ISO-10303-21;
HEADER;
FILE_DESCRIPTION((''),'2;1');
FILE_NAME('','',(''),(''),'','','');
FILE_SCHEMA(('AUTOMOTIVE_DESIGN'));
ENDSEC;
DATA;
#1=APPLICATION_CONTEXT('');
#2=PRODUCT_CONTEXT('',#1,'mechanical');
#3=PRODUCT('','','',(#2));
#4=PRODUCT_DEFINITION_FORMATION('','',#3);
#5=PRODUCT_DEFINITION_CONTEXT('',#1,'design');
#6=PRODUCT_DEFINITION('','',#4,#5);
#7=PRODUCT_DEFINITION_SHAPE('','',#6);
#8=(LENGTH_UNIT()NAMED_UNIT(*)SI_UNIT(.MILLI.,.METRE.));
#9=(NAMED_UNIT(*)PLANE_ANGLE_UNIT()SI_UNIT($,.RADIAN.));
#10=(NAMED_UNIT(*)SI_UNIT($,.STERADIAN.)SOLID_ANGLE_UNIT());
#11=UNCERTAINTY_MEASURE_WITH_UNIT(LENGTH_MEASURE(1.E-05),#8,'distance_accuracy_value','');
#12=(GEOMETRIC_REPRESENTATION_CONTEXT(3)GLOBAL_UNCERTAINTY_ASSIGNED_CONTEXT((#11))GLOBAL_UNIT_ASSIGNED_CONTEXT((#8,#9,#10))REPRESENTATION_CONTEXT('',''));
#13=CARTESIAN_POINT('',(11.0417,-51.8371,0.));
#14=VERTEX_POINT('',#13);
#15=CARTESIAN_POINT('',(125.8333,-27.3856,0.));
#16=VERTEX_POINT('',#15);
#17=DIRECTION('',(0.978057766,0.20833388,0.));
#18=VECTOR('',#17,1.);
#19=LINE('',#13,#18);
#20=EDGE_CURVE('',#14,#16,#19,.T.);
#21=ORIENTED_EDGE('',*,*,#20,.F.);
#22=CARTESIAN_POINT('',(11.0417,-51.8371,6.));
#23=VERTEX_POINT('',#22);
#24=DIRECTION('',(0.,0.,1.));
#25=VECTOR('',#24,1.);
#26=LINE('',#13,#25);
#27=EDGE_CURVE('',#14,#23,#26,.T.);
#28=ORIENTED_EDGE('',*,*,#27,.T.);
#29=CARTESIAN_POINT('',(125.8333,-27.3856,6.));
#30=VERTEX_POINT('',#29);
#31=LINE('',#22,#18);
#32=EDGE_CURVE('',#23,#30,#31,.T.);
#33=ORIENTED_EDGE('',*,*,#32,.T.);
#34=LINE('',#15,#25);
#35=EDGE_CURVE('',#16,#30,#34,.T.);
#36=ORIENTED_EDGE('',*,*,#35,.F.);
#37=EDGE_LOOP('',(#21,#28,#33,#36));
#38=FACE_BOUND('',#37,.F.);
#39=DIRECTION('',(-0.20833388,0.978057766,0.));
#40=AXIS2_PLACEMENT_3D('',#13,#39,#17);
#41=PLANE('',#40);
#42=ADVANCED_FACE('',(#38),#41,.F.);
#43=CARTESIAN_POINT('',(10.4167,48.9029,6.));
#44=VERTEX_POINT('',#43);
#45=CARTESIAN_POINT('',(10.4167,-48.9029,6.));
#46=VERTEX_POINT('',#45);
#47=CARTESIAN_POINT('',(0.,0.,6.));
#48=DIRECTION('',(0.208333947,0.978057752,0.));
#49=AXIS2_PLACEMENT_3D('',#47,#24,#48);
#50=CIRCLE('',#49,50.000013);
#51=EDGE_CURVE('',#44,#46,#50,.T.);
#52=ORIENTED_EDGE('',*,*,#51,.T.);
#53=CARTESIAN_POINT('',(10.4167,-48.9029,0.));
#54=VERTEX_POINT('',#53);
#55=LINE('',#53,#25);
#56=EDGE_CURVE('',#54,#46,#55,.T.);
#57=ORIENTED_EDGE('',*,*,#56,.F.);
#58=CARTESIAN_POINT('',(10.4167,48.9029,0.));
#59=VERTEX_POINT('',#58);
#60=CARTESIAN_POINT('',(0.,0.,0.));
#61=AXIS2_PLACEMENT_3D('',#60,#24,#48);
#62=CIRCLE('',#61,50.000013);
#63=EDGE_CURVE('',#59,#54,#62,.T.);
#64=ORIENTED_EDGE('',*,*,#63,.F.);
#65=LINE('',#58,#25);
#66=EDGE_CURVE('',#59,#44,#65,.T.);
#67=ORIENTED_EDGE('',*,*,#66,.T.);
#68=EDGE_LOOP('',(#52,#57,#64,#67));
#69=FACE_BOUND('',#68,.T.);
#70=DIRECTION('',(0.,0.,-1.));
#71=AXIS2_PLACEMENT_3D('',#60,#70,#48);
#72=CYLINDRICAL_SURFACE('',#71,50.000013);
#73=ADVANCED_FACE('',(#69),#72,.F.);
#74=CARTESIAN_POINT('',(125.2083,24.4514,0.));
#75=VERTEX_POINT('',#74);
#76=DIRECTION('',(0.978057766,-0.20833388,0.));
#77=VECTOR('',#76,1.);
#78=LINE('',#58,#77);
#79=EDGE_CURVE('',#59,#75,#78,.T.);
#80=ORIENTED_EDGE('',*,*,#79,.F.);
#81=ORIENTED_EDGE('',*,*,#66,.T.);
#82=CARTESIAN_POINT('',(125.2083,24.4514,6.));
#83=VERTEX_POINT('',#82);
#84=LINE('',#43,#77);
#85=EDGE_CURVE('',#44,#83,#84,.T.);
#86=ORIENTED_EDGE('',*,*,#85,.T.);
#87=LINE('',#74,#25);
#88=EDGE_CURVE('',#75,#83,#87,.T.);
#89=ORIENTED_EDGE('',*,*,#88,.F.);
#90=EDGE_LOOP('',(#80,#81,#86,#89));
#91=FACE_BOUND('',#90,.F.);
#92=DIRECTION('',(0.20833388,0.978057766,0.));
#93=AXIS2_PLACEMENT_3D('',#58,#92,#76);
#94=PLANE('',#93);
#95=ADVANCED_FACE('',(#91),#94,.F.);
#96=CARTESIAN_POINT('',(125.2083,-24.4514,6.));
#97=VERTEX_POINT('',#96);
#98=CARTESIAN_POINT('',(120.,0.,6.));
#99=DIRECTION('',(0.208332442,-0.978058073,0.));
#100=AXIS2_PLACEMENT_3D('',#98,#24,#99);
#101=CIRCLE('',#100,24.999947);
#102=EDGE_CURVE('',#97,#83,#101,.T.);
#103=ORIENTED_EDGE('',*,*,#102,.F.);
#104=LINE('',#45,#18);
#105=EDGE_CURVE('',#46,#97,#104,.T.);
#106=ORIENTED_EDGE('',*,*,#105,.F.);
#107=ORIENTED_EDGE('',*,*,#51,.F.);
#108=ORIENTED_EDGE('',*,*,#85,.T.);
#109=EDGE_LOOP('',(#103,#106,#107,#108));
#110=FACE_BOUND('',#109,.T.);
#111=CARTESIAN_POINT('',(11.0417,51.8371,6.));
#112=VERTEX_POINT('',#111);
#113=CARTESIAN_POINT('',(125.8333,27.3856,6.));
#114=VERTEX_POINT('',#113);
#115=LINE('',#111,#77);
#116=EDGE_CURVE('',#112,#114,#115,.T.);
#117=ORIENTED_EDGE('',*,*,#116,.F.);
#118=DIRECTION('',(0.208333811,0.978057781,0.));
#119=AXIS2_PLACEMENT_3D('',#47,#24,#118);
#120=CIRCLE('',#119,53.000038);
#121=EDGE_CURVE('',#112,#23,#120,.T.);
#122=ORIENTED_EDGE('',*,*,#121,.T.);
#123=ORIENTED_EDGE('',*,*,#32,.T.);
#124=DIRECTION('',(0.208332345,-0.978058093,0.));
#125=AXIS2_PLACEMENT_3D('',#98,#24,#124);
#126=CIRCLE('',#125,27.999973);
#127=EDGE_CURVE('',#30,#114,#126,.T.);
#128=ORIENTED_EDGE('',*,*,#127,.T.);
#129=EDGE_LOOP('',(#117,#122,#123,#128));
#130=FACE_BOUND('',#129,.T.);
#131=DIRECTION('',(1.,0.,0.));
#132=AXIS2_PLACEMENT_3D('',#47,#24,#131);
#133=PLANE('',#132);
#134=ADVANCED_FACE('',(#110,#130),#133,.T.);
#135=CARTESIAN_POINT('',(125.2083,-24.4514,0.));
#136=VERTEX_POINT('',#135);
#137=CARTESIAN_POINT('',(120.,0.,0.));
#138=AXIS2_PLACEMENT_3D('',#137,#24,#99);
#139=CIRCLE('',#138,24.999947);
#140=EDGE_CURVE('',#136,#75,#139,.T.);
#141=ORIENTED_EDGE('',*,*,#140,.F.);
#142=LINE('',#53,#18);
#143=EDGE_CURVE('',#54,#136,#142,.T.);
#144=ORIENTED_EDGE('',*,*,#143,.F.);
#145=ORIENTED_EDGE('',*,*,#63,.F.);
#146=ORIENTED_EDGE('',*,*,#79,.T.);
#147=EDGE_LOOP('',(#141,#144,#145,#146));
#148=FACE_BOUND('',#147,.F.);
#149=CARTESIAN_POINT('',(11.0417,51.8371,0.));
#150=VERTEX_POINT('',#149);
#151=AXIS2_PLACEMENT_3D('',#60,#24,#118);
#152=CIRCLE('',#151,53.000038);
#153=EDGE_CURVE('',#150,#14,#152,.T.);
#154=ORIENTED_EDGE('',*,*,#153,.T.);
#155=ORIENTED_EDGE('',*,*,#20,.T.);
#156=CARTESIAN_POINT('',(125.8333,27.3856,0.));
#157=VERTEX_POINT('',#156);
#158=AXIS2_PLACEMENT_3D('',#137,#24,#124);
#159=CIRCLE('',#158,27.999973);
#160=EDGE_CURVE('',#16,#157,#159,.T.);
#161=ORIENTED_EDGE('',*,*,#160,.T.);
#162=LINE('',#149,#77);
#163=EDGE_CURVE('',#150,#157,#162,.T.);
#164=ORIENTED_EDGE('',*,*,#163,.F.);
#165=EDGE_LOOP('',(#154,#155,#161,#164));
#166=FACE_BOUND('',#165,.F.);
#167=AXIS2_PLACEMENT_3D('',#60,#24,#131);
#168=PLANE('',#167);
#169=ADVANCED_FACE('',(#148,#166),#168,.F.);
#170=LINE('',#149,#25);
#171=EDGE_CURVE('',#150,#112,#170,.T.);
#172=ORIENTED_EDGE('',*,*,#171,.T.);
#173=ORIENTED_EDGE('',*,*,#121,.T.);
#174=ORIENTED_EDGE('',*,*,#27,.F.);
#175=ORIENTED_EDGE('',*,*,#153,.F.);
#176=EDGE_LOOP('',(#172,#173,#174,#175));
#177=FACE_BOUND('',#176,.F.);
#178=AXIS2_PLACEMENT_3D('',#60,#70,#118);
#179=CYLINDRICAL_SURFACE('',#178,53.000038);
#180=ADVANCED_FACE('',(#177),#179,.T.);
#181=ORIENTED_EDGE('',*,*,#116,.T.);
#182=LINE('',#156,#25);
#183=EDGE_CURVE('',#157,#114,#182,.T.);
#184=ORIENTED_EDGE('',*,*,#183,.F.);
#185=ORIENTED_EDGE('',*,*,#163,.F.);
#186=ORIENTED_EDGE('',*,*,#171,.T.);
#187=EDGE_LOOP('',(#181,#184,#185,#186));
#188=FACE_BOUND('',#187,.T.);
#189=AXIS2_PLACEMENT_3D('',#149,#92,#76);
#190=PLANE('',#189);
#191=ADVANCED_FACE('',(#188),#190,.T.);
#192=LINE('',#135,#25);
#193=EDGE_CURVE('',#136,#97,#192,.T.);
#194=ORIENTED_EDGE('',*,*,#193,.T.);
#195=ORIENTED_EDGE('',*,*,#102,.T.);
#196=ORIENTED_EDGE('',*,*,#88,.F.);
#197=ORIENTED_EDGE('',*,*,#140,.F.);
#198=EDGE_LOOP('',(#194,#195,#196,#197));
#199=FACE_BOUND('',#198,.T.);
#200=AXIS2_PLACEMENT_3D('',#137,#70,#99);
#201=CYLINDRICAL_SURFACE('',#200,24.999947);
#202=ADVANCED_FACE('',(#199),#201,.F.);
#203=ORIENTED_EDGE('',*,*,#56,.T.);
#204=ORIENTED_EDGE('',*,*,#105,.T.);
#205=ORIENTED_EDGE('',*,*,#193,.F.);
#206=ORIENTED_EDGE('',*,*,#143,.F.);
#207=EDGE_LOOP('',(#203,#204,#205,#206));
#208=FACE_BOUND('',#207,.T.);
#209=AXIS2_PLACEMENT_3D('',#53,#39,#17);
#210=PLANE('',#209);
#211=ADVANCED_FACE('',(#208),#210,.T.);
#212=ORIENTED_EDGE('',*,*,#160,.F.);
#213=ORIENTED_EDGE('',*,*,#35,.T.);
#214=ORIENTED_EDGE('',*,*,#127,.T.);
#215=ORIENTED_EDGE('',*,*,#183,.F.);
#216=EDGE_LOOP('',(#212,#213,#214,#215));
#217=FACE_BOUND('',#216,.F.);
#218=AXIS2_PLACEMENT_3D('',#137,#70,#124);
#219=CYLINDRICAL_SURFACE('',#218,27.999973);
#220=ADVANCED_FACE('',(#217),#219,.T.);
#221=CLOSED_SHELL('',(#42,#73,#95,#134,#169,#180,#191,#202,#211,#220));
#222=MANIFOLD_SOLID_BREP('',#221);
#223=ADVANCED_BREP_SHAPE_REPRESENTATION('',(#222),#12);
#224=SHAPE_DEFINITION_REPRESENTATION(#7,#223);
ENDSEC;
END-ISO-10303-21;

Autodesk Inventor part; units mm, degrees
ref_plane "YZ Plane" through (0, 0, 0) normal (1, 0, 0) x (0, 1, 0)
ref_plane "XZ Plane" through (0, 0, 0) normal (0, 1, 0) x (-1, 0, 0)
ref_plane "XY Plane" through (0, 0, 0) normal (0, 0, 1) x (1, 0, 0)
sketch "スケッチ1" plane through (0, 0, 0) normal (0, 0, 1) x (1, 0, 0)
  arc A0 (11.0417, 51.8371) -> (11.0417, -51.8371) centre (0, 0) ccw
  arc A1 (125.8333, -27.3856) -> (125.8333, 27.3856) centre (120, 0) ccw
  line L0 (11.0417, 51.8371) -> (125.8333, 27.3856)
  line L1 (11.0417, -51.8371) -> (125.8333, -27.3856)
  arc A2 (10.4167, 48.9029) -> (10.4167, -48.9029) centre (0, 0) ccw
  arc A3 (125.2083, -24.4514) -> (125.2083, 24.4514) centre (120, 0) ccw
  line L2 (10.4167, 48.9029) -> (125.2083, 24.4514)
  line L3 (10.4167, -48.9029) -> (125.2083, -24.4514)
  point P0 (120, -28)
  point P1 (120, 28)
  dimension "d0" = 106
  dimension "d1" = 56
  dimension "d2" = 120
  dimension "d3" = 28
  dimension "d4" = 100
  dimension "d5" = 50
extrude "押し出し1" add sketch "スケッチ1" along normal blind 6
properties part number "NHK_t0_4" material "ゴム"
